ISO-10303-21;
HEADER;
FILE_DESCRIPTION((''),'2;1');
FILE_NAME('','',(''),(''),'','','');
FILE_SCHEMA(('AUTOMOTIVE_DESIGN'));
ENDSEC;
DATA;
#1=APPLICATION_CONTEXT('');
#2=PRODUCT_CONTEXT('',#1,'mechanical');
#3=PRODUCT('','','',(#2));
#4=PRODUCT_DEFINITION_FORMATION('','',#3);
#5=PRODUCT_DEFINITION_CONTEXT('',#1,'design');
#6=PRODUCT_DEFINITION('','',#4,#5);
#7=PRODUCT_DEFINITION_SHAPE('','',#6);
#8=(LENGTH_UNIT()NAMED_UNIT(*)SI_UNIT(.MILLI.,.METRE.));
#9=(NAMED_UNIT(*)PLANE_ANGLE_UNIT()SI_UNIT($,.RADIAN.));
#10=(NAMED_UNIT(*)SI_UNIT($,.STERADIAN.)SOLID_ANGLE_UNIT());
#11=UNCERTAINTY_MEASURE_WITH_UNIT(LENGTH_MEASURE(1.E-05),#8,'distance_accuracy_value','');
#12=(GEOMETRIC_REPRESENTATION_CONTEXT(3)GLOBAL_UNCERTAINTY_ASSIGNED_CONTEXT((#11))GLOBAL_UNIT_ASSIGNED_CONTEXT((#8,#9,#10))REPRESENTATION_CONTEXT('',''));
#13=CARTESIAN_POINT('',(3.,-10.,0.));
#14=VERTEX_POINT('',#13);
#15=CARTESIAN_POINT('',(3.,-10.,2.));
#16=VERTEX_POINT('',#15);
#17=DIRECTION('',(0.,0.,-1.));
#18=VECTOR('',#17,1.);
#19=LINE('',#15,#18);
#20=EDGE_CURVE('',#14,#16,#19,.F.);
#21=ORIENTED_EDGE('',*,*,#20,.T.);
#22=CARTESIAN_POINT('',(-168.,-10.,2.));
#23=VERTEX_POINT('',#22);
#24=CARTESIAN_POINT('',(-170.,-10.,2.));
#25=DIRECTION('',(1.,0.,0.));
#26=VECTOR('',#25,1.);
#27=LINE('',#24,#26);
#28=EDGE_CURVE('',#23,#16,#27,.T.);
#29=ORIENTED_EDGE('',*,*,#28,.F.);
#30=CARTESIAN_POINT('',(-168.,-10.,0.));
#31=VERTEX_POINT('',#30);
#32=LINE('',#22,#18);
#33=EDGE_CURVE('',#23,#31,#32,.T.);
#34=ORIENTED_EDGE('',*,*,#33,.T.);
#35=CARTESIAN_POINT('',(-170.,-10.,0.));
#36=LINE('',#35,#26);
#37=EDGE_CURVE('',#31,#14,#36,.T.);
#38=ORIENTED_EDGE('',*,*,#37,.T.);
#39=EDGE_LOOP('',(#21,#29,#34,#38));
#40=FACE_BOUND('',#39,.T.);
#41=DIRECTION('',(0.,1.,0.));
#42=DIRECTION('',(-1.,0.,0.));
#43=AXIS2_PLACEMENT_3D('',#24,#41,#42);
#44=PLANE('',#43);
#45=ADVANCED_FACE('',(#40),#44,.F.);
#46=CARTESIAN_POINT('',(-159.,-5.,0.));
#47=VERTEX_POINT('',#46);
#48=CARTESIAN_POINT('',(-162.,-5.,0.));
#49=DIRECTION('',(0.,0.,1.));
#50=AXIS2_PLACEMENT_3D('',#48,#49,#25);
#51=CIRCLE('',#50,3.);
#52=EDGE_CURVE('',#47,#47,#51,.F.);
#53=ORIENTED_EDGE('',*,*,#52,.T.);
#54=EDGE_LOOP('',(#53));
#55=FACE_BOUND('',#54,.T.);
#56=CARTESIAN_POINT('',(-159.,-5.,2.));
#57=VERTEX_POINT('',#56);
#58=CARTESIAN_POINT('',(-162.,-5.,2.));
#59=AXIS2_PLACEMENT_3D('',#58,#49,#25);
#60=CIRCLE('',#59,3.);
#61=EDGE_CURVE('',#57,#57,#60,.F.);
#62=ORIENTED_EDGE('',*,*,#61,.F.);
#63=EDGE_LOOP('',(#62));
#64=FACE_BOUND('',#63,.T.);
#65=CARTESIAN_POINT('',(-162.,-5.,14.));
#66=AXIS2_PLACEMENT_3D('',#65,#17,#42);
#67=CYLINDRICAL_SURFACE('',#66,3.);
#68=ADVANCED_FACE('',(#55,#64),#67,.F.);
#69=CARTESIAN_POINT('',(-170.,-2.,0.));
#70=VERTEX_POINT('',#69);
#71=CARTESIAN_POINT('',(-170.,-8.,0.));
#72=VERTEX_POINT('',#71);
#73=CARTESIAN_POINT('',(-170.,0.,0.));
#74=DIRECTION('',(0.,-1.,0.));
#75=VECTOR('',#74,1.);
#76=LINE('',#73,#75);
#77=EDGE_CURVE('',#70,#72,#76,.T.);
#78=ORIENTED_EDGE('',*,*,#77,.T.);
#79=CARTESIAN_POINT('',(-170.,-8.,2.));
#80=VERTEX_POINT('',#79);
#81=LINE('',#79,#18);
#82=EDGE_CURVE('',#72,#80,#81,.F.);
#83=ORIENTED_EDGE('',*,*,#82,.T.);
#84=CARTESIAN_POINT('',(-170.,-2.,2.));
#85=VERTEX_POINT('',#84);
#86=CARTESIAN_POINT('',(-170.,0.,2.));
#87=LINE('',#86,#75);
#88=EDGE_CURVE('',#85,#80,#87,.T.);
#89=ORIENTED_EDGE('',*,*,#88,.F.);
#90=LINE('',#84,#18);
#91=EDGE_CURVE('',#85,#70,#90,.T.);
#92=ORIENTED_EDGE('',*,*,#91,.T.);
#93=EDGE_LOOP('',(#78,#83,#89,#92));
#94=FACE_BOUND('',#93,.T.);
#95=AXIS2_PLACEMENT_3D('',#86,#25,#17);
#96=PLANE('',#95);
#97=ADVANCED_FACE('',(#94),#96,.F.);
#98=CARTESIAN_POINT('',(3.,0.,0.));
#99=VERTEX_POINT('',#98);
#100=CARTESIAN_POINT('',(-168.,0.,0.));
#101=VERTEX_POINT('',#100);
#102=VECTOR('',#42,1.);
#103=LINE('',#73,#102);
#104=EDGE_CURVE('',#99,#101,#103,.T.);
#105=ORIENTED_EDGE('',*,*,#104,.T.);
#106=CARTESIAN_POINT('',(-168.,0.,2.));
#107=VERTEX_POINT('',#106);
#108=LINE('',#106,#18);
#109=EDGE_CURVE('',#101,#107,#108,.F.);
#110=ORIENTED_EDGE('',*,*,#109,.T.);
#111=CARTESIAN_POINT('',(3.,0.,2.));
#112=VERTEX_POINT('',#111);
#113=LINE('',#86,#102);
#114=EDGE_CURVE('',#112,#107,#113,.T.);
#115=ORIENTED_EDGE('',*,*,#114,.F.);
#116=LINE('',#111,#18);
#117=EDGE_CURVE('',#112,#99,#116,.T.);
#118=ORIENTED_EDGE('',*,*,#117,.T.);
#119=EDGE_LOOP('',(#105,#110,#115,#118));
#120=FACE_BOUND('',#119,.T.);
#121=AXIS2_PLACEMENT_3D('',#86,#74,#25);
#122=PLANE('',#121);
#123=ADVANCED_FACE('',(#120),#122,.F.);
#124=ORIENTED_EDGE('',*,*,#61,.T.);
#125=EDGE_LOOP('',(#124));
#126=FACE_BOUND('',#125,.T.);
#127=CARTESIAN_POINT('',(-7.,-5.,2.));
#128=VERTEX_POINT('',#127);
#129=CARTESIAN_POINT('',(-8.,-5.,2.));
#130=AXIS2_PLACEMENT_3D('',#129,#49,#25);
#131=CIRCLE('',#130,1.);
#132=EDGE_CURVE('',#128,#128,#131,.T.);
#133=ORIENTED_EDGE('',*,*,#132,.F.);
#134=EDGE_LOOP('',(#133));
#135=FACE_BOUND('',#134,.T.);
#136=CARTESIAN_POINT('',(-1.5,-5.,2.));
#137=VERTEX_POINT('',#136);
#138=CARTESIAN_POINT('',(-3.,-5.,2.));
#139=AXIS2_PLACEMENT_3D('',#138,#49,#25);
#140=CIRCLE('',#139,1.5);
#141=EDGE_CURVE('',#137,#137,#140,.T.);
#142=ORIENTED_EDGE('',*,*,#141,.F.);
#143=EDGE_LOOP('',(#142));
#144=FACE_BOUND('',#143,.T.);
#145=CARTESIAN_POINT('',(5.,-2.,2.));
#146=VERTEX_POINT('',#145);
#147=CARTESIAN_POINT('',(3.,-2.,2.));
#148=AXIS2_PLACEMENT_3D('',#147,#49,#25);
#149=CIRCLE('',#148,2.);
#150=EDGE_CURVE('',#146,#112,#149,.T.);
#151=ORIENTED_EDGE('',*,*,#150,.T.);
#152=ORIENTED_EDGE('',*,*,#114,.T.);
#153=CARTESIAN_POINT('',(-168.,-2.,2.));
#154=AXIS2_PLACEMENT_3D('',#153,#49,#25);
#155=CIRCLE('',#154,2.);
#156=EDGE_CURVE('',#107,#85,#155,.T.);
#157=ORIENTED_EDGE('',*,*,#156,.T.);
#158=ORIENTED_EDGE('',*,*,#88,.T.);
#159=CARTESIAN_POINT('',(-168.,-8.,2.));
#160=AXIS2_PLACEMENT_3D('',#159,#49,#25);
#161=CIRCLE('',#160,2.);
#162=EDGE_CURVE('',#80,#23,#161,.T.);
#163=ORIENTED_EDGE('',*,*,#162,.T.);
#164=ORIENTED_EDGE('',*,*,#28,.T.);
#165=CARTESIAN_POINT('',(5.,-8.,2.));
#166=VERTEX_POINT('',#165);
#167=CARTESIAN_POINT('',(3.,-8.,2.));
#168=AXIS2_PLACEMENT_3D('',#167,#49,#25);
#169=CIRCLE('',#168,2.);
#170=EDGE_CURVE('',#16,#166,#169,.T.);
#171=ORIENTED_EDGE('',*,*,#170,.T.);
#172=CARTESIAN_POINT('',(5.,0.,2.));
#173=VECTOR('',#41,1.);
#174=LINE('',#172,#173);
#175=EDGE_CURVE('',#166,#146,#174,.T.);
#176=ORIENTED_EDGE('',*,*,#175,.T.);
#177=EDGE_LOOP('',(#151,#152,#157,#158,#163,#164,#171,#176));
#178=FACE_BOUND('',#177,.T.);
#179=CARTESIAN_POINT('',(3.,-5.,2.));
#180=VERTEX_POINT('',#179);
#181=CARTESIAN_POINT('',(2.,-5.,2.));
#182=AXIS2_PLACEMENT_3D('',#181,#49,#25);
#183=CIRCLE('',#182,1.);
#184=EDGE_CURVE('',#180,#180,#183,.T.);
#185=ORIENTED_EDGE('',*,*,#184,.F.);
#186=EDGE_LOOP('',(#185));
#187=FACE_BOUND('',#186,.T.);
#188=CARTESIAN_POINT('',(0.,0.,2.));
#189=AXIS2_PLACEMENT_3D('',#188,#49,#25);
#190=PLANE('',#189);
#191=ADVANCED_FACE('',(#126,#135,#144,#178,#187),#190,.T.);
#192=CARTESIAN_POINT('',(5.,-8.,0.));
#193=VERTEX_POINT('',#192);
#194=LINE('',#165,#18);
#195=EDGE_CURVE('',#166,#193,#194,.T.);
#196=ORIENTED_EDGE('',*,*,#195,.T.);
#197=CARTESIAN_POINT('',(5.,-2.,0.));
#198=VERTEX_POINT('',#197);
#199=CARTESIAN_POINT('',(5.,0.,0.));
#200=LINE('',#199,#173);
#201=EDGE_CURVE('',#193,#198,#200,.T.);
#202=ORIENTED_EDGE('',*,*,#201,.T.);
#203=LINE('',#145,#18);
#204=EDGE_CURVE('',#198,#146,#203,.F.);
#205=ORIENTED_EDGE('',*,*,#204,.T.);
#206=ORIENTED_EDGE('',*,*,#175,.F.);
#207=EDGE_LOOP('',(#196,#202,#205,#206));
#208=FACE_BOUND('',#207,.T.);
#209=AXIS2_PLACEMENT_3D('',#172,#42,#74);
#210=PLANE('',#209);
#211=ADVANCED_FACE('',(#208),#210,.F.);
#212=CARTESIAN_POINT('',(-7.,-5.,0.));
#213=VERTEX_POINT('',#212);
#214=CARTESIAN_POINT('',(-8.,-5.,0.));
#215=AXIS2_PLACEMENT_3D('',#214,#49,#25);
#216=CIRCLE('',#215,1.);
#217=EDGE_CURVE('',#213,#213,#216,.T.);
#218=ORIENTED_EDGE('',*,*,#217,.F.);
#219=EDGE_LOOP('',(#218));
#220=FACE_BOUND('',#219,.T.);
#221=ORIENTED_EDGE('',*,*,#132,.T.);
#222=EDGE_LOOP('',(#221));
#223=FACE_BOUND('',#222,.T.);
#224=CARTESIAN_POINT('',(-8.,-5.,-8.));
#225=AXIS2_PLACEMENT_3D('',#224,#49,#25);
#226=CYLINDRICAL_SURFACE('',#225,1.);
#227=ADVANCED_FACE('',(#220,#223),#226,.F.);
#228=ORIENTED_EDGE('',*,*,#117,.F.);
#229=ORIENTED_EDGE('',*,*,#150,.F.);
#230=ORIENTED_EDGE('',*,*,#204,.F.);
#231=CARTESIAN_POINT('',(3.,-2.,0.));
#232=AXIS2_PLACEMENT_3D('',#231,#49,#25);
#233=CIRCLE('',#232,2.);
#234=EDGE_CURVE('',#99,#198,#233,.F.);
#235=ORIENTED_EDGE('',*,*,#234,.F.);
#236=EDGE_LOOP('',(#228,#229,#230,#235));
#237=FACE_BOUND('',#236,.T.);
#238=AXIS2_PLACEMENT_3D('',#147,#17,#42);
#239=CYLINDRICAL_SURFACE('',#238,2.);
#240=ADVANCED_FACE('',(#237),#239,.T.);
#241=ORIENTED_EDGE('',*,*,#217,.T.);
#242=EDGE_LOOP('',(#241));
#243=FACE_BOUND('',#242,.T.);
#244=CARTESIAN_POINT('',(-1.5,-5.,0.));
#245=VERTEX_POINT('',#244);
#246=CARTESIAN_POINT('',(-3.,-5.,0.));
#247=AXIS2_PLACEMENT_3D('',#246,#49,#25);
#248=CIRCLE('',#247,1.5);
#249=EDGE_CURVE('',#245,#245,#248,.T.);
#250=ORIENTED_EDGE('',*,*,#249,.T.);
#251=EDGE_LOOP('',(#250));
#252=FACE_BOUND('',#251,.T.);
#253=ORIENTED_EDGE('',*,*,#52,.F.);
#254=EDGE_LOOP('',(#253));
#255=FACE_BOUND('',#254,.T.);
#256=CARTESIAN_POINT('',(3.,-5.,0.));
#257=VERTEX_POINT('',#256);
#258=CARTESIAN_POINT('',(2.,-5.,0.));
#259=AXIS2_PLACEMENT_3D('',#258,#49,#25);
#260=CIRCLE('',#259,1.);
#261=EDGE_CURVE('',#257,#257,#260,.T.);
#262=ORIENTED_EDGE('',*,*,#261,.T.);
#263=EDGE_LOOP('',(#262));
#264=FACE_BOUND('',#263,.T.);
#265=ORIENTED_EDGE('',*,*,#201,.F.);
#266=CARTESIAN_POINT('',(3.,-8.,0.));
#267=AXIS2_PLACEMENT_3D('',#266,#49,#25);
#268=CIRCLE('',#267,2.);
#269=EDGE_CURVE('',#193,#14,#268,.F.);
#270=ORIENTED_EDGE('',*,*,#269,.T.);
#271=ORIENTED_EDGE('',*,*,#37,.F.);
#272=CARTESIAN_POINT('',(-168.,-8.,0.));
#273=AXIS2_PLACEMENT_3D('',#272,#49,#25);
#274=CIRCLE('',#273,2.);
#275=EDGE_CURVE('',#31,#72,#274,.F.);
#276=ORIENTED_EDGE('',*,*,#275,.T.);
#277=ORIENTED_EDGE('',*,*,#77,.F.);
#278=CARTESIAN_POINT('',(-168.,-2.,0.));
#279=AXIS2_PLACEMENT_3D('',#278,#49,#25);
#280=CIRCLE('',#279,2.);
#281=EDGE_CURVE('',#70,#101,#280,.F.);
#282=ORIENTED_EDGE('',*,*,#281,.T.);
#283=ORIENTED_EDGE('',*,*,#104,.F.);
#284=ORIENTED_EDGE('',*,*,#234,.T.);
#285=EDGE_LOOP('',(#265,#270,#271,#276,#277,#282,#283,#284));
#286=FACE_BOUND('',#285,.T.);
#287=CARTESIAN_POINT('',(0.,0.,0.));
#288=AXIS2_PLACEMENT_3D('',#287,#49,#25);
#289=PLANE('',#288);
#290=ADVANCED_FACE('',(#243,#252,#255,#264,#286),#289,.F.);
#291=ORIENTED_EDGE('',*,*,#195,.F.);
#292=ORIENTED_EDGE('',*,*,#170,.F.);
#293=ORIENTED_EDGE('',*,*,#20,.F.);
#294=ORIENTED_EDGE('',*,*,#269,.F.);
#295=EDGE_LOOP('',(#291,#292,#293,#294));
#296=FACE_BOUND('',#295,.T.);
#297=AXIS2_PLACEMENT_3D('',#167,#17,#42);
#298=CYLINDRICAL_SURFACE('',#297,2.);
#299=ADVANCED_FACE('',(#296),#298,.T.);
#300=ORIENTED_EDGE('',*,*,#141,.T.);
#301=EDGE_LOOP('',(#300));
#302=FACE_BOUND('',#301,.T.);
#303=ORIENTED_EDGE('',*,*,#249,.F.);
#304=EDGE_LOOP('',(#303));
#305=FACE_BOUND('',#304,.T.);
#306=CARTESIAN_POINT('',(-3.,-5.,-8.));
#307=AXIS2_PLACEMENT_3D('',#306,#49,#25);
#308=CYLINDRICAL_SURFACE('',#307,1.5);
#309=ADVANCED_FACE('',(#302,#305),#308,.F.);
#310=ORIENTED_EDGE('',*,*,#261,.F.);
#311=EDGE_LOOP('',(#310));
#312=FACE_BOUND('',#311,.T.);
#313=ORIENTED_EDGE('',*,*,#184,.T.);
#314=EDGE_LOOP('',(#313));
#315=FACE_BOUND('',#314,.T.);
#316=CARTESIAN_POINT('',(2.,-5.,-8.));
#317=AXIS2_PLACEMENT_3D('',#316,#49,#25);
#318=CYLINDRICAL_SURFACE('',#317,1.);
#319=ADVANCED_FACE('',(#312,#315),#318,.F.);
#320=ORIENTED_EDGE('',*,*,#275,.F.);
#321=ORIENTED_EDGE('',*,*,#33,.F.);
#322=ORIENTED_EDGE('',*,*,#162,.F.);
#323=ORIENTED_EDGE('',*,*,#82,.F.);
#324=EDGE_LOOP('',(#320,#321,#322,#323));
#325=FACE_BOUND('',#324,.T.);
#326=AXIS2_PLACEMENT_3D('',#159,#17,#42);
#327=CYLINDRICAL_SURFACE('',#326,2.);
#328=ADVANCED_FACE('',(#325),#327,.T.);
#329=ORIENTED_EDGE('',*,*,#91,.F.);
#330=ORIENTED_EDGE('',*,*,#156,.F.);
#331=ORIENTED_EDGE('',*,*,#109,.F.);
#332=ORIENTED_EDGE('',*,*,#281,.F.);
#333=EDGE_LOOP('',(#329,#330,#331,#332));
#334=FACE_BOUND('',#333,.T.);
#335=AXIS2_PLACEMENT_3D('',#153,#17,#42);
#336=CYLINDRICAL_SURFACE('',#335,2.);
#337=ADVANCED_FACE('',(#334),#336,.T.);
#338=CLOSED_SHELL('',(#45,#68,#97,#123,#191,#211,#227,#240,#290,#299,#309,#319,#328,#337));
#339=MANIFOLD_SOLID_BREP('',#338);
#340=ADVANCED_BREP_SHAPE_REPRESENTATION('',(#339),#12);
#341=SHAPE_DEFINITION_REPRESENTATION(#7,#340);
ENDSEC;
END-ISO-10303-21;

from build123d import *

# Parameters (mm, degrees)
SKETCH_1_W               = 175
SKETCH_1_H               = 10
EXTRUDE_1_DEPTH          = 2
CUT_EXTRUDE_1_DEPTH      = 12
CUT_EXTRUDE_1_DEPTH_BACK = 15
SKETCH_2_R               = 3
SKETCH_3_R               = 1.5
SKETCH_3_R_2             = 1
CUT_EXTRUDE_2_DEPTH      = 10
FILLET_1_R               = 2


with BuildPart() as part:
    # 草图1 → 凸台-拉伸1 (new body)
    with BuildSketch(Plane.XY):
        with Locations((-82.5, -5)):
            Rectangle(SKETCH_1_W, SKETCH_1_H)
    extrude(amount=EXTRUDE_1_DEPTH)

    # 草图2 → 切除-拉伸1 (cut, two sides: drawn at the far end of the back side and taken through both)
    with BuildSketch(Plane.XY.offset(2).offset(-CUT_EXTRUDE_1_DEPTH_BACK)):
        with Locations((-162, -5)):
            Circle(SKETCH_2_R)
    extrude(amount=CUT_EXTRUDE_1_DEPTH + CUT_EXTRUDE_1_DEPTH_BACK, mode=Mode.SUBTRACT)

    # 草图3 → 切除-拉伸2 (cut)
    with BuildSketch(Plane.XY.offset(2)):
        with Locations((-3, -5)):
            Circle(SKETCH_3_R)
        with Locations((-8, -5)):
            Circle(SKETCH_3_R_2)
        with Locations((2, -5)):
            Circle(SKETCH_3_R_2)
    extrude(amount=-CUT_EXTRUDE_2_DEPTH, mode=Mode.SUBTRACT)

    # 圆角1
    fillet_1_edges = [part.edges().sort_by_distance(p)[0] for p in [
        (-170, 0, 1),
        (5, 0, 1),
        (5, -10, 1),
        (-170, -10, 1),
    ]]
    fillet(fillet_1_edges, radius=FILLET_1_R)


solid = part.part
